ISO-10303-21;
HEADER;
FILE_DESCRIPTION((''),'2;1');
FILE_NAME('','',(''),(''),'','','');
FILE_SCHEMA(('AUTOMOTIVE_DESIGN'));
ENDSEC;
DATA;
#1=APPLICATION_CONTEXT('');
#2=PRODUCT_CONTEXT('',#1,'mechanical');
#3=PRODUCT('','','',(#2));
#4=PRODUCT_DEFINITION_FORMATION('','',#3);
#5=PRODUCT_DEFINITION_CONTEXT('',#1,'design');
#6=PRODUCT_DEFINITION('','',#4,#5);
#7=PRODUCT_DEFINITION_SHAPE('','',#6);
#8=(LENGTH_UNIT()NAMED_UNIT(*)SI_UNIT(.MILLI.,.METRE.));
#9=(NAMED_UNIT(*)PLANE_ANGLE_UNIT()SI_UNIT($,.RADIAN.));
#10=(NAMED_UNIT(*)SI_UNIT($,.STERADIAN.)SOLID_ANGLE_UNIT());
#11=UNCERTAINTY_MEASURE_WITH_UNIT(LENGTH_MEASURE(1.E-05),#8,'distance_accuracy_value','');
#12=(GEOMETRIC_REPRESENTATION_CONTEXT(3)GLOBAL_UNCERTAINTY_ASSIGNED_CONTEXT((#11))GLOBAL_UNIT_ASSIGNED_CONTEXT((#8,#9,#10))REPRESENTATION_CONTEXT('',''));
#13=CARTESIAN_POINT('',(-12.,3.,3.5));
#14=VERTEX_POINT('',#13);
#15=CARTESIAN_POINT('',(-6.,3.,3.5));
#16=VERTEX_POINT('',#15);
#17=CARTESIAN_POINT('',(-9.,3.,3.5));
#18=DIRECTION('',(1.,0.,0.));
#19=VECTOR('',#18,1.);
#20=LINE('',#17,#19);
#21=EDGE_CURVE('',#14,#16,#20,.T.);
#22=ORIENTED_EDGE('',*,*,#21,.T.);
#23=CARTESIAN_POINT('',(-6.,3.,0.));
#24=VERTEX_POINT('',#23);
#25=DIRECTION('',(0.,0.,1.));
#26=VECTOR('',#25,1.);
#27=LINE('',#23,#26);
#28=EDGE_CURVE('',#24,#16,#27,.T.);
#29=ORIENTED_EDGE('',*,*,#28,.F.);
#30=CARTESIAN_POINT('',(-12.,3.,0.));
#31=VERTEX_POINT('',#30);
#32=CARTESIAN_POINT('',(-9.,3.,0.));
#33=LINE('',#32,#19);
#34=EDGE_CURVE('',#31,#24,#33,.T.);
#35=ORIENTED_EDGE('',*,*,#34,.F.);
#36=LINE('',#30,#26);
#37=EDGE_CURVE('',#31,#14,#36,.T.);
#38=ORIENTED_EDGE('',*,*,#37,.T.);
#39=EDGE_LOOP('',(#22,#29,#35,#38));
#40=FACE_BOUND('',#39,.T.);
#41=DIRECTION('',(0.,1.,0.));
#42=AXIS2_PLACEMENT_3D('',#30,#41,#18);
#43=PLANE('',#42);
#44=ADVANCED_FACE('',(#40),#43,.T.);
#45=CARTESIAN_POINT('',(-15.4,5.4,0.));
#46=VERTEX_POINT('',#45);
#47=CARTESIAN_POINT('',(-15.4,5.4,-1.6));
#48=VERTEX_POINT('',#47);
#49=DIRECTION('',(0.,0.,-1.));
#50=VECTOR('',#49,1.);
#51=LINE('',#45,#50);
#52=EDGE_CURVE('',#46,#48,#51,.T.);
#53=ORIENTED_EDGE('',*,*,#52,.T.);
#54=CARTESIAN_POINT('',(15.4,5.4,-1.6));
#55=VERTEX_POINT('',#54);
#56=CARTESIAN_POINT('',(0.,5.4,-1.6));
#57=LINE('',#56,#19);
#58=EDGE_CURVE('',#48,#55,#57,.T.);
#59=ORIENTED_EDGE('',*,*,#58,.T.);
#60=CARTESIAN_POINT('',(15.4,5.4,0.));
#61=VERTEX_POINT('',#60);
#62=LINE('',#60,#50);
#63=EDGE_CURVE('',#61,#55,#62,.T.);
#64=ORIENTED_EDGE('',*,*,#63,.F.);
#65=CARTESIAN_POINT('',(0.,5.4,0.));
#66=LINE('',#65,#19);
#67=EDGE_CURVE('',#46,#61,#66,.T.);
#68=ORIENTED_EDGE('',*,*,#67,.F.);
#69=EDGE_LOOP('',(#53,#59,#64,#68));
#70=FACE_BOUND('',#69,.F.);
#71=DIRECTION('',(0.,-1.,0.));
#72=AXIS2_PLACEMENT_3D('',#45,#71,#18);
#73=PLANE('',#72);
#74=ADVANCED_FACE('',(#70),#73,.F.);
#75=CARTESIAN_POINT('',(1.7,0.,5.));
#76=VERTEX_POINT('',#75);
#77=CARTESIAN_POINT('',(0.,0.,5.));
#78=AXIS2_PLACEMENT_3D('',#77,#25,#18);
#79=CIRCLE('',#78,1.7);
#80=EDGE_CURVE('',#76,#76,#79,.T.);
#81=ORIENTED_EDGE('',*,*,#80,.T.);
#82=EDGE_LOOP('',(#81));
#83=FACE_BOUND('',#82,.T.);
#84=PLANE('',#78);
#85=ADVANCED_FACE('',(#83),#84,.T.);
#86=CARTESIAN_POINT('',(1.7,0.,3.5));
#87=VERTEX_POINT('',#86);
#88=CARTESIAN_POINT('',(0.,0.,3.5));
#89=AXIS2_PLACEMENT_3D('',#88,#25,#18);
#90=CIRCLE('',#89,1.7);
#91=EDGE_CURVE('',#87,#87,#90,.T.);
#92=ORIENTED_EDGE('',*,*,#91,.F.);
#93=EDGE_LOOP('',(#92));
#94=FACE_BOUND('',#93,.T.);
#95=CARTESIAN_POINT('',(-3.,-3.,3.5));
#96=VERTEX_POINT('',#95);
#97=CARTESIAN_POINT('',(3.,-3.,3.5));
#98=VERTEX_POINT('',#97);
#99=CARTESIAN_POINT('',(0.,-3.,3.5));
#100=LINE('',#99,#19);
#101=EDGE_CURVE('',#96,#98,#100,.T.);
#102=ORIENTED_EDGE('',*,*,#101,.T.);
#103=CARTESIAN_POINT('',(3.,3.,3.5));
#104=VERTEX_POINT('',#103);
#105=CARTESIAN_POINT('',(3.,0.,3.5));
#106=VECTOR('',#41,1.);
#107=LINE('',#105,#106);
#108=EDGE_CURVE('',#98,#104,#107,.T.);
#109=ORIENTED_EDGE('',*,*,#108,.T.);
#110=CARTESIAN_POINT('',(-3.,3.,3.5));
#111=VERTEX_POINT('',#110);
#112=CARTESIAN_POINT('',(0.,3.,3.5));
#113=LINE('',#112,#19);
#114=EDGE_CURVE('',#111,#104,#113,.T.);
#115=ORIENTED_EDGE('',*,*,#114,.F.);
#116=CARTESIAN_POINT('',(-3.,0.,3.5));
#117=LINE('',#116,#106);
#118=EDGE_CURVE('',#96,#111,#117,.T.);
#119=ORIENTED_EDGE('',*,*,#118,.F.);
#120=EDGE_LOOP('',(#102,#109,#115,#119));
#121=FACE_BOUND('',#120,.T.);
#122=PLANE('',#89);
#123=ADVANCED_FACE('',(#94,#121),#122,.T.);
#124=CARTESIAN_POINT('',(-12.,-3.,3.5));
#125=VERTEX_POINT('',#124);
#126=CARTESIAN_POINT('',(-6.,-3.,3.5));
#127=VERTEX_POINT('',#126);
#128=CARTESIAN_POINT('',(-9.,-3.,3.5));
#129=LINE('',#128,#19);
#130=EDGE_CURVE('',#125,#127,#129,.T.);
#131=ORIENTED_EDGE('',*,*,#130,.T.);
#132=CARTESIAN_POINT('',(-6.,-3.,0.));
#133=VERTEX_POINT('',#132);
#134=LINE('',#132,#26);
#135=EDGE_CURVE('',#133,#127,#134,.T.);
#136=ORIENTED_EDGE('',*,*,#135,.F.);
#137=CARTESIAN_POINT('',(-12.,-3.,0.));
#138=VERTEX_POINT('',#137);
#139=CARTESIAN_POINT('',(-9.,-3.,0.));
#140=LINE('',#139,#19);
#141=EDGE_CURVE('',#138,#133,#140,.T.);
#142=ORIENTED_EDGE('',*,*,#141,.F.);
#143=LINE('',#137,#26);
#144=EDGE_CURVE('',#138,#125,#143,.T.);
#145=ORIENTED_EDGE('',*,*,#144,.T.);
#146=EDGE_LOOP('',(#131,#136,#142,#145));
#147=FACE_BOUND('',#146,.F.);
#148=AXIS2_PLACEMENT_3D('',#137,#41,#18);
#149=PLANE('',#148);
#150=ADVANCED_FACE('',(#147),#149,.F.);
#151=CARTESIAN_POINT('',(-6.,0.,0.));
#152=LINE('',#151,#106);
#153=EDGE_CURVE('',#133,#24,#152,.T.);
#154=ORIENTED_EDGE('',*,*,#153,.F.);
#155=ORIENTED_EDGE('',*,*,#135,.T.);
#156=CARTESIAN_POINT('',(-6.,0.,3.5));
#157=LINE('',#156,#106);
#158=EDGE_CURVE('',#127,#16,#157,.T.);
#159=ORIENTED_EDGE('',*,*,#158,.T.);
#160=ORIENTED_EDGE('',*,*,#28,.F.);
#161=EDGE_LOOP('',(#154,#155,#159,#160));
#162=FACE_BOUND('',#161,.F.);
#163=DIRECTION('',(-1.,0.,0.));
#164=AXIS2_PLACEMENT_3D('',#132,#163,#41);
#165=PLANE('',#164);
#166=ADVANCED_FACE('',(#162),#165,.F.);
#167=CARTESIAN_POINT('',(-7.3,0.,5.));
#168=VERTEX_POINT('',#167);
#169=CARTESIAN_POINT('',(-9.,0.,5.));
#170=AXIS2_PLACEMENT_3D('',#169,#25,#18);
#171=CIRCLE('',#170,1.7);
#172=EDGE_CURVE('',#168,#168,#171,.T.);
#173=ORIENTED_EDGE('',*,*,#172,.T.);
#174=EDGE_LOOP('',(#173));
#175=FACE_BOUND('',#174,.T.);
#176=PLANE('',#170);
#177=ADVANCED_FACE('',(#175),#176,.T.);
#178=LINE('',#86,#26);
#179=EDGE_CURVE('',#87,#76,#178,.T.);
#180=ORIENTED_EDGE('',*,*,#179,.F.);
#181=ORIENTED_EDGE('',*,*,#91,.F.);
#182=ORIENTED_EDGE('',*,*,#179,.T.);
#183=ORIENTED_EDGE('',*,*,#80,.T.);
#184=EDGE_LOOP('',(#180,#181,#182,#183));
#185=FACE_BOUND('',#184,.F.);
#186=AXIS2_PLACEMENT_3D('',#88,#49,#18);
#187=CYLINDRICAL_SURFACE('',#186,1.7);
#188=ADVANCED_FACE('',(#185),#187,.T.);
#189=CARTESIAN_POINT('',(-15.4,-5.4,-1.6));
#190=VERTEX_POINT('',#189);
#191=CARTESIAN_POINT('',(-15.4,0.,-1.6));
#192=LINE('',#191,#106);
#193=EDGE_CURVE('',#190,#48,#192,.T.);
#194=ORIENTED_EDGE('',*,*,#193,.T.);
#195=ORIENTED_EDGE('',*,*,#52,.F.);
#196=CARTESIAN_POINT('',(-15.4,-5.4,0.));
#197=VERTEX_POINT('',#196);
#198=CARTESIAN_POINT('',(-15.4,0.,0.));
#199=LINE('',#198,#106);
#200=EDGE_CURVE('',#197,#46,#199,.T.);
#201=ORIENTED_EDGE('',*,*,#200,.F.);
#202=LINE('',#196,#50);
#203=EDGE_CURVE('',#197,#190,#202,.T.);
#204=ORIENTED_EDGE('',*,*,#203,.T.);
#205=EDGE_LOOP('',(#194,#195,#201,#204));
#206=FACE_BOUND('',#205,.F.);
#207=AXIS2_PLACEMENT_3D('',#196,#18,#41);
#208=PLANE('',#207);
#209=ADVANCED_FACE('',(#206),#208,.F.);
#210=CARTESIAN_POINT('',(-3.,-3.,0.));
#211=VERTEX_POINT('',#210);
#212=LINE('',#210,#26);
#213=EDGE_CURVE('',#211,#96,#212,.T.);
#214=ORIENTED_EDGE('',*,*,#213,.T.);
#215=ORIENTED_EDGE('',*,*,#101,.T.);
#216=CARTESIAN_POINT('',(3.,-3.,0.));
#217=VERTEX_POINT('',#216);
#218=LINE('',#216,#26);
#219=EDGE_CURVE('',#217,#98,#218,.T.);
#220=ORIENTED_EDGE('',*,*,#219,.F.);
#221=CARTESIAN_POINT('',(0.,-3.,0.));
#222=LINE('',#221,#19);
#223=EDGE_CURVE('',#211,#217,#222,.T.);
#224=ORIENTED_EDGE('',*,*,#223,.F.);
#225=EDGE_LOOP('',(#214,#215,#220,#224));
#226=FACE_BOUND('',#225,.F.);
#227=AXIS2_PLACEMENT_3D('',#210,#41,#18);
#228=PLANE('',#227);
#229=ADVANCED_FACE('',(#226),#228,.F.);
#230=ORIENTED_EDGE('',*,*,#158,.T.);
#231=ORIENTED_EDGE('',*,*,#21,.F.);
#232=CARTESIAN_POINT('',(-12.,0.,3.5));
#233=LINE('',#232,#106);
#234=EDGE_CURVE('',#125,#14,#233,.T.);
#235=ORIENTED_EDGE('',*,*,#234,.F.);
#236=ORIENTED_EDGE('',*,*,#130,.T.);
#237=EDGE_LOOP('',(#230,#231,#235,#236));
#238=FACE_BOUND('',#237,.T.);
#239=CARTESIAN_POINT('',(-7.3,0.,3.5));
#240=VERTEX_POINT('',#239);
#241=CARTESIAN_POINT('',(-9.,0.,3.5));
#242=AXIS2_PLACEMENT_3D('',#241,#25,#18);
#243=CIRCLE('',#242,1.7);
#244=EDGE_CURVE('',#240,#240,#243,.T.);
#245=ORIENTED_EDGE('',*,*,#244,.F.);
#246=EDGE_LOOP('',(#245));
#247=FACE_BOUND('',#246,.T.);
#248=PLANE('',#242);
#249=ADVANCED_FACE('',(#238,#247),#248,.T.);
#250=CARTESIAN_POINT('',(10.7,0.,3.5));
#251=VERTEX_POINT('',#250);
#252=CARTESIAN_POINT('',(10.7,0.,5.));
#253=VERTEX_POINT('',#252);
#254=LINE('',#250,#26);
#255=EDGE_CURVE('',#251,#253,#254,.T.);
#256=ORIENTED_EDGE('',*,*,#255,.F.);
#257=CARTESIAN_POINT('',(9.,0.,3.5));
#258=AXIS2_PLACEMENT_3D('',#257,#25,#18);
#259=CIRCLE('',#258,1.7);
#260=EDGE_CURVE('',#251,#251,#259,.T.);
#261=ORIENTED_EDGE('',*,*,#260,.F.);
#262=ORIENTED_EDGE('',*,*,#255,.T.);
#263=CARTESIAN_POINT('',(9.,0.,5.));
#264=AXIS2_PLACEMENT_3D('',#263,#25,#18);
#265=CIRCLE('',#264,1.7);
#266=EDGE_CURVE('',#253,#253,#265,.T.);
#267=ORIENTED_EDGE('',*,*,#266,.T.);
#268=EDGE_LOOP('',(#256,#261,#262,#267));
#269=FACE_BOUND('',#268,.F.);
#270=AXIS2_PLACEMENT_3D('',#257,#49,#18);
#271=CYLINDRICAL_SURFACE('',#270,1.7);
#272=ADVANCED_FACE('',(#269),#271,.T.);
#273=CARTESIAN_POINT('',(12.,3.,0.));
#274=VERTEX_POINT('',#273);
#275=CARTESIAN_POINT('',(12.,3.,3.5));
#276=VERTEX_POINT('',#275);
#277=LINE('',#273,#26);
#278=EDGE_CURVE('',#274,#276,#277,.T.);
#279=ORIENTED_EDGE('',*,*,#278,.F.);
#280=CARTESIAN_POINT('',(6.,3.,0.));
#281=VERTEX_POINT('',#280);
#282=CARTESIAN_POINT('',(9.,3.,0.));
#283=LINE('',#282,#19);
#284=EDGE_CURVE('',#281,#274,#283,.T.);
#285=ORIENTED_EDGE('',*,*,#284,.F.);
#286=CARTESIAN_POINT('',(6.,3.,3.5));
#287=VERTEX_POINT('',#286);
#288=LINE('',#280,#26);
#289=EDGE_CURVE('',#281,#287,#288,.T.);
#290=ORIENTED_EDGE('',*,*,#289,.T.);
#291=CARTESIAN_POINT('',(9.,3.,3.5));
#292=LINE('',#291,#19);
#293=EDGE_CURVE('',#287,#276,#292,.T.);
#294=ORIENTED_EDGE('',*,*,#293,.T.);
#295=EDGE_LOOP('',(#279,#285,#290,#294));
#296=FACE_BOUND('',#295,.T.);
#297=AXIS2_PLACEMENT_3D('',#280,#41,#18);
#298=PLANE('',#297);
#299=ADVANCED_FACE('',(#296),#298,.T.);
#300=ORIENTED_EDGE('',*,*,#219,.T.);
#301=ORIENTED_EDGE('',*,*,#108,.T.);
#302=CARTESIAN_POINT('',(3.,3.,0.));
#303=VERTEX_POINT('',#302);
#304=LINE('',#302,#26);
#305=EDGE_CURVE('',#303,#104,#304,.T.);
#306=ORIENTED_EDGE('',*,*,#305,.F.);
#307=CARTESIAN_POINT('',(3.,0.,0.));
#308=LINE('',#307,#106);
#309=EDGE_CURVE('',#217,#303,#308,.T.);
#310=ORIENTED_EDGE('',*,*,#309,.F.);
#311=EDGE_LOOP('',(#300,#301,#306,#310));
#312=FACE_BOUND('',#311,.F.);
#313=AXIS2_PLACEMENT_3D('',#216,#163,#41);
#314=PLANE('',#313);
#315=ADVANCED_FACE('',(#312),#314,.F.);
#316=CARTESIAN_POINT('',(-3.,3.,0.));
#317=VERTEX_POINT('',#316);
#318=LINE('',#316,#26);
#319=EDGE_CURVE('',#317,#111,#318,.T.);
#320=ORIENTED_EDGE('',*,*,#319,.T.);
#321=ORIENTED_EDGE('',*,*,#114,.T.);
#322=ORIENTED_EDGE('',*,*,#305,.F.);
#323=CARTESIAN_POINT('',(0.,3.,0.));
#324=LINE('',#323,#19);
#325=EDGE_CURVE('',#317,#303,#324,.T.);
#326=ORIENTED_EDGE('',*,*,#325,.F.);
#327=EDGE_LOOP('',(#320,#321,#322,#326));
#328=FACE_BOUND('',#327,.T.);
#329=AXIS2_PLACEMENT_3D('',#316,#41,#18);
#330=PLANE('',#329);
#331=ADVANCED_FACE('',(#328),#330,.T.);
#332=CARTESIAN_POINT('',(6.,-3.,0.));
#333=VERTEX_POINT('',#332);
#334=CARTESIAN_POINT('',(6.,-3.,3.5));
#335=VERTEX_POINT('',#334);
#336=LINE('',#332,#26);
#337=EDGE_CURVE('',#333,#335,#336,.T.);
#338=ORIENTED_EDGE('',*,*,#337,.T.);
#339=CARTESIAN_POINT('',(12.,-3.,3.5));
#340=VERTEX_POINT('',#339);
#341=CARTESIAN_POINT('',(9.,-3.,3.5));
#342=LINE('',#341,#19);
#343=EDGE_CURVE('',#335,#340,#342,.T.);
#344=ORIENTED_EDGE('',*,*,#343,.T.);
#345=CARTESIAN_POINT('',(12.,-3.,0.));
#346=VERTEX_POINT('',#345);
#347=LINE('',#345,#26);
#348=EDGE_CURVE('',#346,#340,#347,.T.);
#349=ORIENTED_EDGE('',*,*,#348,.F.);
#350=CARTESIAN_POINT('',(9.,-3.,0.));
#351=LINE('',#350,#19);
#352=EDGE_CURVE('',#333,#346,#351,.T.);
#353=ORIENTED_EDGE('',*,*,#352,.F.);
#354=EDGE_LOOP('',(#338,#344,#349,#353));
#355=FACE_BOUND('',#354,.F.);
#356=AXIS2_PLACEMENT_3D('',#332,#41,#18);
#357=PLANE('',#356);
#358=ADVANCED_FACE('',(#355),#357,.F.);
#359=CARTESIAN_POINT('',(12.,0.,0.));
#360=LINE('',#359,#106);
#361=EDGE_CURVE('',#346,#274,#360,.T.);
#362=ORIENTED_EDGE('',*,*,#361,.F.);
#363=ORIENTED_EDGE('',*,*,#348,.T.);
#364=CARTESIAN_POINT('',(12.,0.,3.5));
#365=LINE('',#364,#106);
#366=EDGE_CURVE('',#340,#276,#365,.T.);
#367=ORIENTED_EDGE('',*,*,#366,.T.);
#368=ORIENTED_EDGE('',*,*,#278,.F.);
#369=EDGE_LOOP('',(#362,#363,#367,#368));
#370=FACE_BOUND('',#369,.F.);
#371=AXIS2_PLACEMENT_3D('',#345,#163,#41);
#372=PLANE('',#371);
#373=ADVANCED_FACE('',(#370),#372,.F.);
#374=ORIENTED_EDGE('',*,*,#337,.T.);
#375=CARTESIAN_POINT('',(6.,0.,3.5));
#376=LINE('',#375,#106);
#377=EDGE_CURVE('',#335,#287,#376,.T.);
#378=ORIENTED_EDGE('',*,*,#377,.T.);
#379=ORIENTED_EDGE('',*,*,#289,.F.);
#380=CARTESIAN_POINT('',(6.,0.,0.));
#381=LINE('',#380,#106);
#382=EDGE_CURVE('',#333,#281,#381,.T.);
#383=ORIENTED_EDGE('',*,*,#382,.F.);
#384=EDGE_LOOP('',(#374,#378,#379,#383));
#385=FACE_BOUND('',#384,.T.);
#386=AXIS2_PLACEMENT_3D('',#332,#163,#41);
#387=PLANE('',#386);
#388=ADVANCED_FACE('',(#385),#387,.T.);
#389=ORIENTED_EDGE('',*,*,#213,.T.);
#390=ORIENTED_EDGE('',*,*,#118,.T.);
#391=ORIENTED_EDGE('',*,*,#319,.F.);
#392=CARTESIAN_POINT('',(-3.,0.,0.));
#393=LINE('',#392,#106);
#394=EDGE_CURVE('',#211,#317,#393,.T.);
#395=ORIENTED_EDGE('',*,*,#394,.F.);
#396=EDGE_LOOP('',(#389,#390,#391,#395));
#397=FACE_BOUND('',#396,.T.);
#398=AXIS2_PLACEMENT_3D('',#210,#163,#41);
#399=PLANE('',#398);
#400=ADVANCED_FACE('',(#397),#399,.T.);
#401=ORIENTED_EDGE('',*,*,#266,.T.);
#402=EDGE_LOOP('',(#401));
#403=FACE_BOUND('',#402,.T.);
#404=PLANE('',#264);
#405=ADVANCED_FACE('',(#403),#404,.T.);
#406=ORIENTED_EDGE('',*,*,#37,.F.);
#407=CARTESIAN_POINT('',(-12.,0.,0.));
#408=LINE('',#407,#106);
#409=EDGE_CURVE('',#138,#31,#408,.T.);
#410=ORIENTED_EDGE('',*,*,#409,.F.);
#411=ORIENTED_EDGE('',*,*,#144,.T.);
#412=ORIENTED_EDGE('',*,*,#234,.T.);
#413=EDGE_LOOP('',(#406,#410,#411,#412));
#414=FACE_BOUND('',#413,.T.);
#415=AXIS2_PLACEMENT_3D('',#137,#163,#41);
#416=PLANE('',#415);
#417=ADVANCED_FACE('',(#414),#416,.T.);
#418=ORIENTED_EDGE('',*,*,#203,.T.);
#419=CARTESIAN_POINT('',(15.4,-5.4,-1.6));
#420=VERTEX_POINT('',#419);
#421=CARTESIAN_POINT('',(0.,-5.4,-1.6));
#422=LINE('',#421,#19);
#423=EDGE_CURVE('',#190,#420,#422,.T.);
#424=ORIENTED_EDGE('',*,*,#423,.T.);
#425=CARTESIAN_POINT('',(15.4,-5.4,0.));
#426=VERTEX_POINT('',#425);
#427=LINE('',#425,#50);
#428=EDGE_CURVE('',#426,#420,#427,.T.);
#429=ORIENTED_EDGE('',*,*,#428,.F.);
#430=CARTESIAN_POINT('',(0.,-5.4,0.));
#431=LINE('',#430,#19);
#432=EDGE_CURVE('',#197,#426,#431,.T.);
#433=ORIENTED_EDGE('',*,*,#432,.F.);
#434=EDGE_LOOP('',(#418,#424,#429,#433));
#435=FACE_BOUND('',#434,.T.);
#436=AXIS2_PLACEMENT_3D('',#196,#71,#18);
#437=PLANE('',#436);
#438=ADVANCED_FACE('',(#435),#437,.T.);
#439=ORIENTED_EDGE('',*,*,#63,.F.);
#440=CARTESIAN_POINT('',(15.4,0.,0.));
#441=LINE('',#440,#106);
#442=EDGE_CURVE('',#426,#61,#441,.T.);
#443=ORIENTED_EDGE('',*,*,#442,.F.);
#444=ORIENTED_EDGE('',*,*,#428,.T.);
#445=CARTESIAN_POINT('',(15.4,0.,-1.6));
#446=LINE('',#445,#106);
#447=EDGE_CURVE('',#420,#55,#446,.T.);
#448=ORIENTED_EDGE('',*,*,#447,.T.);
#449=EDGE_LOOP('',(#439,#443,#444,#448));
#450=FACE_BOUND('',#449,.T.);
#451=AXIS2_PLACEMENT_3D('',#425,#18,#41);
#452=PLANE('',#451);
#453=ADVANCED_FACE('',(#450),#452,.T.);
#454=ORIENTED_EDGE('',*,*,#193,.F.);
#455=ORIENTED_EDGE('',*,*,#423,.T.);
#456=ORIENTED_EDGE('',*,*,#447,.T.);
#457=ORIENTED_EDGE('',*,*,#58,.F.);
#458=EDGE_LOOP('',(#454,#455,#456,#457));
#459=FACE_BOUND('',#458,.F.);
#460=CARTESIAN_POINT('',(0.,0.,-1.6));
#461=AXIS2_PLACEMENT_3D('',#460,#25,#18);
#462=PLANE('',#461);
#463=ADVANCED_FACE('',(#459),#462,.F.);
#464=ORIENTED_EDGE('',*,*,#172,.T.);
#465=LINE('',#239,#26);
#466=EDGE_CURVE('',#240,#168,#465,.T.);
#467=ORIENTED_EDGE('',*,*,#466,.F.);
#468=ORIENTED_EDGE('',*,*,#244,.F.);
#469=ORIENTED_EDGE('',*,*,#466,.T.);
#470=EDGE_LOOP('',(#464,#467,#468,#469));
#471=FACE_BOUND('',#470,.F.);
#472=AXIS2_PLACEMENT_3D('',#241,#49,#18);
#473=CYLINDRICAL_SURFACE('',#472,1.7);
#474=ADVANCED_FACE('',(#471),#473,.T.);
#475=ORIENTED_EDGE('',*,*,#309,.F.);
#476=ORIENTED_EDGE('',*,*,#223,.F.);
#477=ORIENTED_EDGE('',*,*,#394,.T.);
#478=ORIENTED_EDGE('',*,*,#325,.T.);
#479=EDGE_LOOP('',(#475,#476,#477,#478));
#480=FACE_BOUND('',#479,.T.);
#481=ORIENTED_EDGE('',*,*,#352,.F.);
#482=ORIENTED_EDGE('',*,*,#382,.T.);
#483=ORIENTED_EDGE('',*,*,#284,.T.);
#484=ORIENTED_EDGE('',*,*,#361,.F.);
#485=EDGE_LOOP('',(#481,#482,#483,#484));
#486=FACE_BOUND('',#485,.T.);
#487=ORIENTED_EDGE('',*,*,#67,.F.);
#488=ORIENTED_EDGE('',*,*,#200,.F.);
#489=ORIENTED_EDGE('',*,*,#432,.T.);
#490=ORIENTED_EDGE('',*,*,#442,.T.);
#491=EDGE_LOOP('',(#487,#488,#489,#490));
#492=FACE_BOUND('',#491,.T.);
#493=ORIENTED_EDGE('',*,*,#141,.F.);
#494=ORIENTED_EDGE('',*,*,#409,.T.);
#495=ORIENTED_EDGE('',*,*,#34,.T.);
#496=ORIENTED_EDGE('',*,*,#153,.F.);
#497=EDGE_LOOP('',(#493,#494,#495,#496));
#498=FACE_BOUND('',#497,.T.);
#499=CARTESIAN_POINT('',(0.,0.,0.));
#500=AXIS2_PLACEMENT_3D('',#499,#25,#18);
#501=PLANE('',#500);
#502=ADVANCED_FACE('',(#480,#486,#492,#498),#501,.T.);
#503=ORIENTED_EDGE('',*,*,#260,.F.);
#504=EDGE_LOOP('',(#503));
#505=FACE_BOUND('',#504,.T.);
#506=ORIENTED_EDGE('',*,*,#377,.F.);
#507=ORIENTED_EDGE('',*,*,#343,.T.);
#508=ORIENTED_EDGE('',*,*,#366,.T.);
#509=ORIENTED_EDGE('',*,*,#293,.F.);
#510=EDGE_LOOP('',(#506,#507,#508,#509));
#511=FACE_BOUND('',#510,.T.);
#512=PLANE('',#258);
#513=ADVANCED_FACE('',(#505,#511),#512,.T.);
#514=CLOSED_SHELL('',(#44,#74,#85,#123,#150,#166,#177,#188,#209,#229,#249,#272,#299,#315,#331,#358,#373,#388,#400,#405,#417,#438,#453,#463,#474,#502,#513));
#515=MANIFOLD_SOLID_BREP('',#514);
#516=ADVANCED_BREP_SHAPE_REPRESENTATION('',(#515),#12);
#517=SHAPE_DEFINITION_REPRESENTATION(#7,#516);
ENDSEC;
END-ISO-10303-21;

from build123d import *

# Parameters (mm, degrees)
SKETCH_W     = 30.8
SKETCH_H     = 10.8
PAD_DEPTH    = 1.6
SKETCH001_W  = 6
SKETCH001_H  = 6
PAD001_DEPTH = 3.5
SKETCH002_R  = 1.7
PAD002_DEPTH = 1.5


with BuildPart() as part:
    # Sketch → Pad (new body)
    with BuildSketch(Plane.XY):
        Rectangle(SKETCH_W, SKETCH_H)
    extrude(amount=-PAD_DEPTH)

    # Sketch001 → Pad001 (new body)
    with BuildSketch(Plane.XY):
        with Locations((-9, 0)):
            Rectangle(SKETCH001_W, SKETCH001_H)
        Rectangle(SKETCH001_W, SKETCH001_H)
        with Locations((9, 0)):
            Rectangle(SKETCH001_W, SKETCH001_H)
    extrude(amount=PAD001_DEPTH)

    # Sketch002 → Pad002 (new body)
    with BuildSketch(Plane.XY.offset(3.5)):
        with Locations((-9, 0)):
            Circle(SKETCH002_R)
        Circle(SKETCH002_R)
        with Locations((9, 0)):
            Circle(SKETCH002_R)
    extrude(amount=PAD002_DEPTH)


solid = part.part
